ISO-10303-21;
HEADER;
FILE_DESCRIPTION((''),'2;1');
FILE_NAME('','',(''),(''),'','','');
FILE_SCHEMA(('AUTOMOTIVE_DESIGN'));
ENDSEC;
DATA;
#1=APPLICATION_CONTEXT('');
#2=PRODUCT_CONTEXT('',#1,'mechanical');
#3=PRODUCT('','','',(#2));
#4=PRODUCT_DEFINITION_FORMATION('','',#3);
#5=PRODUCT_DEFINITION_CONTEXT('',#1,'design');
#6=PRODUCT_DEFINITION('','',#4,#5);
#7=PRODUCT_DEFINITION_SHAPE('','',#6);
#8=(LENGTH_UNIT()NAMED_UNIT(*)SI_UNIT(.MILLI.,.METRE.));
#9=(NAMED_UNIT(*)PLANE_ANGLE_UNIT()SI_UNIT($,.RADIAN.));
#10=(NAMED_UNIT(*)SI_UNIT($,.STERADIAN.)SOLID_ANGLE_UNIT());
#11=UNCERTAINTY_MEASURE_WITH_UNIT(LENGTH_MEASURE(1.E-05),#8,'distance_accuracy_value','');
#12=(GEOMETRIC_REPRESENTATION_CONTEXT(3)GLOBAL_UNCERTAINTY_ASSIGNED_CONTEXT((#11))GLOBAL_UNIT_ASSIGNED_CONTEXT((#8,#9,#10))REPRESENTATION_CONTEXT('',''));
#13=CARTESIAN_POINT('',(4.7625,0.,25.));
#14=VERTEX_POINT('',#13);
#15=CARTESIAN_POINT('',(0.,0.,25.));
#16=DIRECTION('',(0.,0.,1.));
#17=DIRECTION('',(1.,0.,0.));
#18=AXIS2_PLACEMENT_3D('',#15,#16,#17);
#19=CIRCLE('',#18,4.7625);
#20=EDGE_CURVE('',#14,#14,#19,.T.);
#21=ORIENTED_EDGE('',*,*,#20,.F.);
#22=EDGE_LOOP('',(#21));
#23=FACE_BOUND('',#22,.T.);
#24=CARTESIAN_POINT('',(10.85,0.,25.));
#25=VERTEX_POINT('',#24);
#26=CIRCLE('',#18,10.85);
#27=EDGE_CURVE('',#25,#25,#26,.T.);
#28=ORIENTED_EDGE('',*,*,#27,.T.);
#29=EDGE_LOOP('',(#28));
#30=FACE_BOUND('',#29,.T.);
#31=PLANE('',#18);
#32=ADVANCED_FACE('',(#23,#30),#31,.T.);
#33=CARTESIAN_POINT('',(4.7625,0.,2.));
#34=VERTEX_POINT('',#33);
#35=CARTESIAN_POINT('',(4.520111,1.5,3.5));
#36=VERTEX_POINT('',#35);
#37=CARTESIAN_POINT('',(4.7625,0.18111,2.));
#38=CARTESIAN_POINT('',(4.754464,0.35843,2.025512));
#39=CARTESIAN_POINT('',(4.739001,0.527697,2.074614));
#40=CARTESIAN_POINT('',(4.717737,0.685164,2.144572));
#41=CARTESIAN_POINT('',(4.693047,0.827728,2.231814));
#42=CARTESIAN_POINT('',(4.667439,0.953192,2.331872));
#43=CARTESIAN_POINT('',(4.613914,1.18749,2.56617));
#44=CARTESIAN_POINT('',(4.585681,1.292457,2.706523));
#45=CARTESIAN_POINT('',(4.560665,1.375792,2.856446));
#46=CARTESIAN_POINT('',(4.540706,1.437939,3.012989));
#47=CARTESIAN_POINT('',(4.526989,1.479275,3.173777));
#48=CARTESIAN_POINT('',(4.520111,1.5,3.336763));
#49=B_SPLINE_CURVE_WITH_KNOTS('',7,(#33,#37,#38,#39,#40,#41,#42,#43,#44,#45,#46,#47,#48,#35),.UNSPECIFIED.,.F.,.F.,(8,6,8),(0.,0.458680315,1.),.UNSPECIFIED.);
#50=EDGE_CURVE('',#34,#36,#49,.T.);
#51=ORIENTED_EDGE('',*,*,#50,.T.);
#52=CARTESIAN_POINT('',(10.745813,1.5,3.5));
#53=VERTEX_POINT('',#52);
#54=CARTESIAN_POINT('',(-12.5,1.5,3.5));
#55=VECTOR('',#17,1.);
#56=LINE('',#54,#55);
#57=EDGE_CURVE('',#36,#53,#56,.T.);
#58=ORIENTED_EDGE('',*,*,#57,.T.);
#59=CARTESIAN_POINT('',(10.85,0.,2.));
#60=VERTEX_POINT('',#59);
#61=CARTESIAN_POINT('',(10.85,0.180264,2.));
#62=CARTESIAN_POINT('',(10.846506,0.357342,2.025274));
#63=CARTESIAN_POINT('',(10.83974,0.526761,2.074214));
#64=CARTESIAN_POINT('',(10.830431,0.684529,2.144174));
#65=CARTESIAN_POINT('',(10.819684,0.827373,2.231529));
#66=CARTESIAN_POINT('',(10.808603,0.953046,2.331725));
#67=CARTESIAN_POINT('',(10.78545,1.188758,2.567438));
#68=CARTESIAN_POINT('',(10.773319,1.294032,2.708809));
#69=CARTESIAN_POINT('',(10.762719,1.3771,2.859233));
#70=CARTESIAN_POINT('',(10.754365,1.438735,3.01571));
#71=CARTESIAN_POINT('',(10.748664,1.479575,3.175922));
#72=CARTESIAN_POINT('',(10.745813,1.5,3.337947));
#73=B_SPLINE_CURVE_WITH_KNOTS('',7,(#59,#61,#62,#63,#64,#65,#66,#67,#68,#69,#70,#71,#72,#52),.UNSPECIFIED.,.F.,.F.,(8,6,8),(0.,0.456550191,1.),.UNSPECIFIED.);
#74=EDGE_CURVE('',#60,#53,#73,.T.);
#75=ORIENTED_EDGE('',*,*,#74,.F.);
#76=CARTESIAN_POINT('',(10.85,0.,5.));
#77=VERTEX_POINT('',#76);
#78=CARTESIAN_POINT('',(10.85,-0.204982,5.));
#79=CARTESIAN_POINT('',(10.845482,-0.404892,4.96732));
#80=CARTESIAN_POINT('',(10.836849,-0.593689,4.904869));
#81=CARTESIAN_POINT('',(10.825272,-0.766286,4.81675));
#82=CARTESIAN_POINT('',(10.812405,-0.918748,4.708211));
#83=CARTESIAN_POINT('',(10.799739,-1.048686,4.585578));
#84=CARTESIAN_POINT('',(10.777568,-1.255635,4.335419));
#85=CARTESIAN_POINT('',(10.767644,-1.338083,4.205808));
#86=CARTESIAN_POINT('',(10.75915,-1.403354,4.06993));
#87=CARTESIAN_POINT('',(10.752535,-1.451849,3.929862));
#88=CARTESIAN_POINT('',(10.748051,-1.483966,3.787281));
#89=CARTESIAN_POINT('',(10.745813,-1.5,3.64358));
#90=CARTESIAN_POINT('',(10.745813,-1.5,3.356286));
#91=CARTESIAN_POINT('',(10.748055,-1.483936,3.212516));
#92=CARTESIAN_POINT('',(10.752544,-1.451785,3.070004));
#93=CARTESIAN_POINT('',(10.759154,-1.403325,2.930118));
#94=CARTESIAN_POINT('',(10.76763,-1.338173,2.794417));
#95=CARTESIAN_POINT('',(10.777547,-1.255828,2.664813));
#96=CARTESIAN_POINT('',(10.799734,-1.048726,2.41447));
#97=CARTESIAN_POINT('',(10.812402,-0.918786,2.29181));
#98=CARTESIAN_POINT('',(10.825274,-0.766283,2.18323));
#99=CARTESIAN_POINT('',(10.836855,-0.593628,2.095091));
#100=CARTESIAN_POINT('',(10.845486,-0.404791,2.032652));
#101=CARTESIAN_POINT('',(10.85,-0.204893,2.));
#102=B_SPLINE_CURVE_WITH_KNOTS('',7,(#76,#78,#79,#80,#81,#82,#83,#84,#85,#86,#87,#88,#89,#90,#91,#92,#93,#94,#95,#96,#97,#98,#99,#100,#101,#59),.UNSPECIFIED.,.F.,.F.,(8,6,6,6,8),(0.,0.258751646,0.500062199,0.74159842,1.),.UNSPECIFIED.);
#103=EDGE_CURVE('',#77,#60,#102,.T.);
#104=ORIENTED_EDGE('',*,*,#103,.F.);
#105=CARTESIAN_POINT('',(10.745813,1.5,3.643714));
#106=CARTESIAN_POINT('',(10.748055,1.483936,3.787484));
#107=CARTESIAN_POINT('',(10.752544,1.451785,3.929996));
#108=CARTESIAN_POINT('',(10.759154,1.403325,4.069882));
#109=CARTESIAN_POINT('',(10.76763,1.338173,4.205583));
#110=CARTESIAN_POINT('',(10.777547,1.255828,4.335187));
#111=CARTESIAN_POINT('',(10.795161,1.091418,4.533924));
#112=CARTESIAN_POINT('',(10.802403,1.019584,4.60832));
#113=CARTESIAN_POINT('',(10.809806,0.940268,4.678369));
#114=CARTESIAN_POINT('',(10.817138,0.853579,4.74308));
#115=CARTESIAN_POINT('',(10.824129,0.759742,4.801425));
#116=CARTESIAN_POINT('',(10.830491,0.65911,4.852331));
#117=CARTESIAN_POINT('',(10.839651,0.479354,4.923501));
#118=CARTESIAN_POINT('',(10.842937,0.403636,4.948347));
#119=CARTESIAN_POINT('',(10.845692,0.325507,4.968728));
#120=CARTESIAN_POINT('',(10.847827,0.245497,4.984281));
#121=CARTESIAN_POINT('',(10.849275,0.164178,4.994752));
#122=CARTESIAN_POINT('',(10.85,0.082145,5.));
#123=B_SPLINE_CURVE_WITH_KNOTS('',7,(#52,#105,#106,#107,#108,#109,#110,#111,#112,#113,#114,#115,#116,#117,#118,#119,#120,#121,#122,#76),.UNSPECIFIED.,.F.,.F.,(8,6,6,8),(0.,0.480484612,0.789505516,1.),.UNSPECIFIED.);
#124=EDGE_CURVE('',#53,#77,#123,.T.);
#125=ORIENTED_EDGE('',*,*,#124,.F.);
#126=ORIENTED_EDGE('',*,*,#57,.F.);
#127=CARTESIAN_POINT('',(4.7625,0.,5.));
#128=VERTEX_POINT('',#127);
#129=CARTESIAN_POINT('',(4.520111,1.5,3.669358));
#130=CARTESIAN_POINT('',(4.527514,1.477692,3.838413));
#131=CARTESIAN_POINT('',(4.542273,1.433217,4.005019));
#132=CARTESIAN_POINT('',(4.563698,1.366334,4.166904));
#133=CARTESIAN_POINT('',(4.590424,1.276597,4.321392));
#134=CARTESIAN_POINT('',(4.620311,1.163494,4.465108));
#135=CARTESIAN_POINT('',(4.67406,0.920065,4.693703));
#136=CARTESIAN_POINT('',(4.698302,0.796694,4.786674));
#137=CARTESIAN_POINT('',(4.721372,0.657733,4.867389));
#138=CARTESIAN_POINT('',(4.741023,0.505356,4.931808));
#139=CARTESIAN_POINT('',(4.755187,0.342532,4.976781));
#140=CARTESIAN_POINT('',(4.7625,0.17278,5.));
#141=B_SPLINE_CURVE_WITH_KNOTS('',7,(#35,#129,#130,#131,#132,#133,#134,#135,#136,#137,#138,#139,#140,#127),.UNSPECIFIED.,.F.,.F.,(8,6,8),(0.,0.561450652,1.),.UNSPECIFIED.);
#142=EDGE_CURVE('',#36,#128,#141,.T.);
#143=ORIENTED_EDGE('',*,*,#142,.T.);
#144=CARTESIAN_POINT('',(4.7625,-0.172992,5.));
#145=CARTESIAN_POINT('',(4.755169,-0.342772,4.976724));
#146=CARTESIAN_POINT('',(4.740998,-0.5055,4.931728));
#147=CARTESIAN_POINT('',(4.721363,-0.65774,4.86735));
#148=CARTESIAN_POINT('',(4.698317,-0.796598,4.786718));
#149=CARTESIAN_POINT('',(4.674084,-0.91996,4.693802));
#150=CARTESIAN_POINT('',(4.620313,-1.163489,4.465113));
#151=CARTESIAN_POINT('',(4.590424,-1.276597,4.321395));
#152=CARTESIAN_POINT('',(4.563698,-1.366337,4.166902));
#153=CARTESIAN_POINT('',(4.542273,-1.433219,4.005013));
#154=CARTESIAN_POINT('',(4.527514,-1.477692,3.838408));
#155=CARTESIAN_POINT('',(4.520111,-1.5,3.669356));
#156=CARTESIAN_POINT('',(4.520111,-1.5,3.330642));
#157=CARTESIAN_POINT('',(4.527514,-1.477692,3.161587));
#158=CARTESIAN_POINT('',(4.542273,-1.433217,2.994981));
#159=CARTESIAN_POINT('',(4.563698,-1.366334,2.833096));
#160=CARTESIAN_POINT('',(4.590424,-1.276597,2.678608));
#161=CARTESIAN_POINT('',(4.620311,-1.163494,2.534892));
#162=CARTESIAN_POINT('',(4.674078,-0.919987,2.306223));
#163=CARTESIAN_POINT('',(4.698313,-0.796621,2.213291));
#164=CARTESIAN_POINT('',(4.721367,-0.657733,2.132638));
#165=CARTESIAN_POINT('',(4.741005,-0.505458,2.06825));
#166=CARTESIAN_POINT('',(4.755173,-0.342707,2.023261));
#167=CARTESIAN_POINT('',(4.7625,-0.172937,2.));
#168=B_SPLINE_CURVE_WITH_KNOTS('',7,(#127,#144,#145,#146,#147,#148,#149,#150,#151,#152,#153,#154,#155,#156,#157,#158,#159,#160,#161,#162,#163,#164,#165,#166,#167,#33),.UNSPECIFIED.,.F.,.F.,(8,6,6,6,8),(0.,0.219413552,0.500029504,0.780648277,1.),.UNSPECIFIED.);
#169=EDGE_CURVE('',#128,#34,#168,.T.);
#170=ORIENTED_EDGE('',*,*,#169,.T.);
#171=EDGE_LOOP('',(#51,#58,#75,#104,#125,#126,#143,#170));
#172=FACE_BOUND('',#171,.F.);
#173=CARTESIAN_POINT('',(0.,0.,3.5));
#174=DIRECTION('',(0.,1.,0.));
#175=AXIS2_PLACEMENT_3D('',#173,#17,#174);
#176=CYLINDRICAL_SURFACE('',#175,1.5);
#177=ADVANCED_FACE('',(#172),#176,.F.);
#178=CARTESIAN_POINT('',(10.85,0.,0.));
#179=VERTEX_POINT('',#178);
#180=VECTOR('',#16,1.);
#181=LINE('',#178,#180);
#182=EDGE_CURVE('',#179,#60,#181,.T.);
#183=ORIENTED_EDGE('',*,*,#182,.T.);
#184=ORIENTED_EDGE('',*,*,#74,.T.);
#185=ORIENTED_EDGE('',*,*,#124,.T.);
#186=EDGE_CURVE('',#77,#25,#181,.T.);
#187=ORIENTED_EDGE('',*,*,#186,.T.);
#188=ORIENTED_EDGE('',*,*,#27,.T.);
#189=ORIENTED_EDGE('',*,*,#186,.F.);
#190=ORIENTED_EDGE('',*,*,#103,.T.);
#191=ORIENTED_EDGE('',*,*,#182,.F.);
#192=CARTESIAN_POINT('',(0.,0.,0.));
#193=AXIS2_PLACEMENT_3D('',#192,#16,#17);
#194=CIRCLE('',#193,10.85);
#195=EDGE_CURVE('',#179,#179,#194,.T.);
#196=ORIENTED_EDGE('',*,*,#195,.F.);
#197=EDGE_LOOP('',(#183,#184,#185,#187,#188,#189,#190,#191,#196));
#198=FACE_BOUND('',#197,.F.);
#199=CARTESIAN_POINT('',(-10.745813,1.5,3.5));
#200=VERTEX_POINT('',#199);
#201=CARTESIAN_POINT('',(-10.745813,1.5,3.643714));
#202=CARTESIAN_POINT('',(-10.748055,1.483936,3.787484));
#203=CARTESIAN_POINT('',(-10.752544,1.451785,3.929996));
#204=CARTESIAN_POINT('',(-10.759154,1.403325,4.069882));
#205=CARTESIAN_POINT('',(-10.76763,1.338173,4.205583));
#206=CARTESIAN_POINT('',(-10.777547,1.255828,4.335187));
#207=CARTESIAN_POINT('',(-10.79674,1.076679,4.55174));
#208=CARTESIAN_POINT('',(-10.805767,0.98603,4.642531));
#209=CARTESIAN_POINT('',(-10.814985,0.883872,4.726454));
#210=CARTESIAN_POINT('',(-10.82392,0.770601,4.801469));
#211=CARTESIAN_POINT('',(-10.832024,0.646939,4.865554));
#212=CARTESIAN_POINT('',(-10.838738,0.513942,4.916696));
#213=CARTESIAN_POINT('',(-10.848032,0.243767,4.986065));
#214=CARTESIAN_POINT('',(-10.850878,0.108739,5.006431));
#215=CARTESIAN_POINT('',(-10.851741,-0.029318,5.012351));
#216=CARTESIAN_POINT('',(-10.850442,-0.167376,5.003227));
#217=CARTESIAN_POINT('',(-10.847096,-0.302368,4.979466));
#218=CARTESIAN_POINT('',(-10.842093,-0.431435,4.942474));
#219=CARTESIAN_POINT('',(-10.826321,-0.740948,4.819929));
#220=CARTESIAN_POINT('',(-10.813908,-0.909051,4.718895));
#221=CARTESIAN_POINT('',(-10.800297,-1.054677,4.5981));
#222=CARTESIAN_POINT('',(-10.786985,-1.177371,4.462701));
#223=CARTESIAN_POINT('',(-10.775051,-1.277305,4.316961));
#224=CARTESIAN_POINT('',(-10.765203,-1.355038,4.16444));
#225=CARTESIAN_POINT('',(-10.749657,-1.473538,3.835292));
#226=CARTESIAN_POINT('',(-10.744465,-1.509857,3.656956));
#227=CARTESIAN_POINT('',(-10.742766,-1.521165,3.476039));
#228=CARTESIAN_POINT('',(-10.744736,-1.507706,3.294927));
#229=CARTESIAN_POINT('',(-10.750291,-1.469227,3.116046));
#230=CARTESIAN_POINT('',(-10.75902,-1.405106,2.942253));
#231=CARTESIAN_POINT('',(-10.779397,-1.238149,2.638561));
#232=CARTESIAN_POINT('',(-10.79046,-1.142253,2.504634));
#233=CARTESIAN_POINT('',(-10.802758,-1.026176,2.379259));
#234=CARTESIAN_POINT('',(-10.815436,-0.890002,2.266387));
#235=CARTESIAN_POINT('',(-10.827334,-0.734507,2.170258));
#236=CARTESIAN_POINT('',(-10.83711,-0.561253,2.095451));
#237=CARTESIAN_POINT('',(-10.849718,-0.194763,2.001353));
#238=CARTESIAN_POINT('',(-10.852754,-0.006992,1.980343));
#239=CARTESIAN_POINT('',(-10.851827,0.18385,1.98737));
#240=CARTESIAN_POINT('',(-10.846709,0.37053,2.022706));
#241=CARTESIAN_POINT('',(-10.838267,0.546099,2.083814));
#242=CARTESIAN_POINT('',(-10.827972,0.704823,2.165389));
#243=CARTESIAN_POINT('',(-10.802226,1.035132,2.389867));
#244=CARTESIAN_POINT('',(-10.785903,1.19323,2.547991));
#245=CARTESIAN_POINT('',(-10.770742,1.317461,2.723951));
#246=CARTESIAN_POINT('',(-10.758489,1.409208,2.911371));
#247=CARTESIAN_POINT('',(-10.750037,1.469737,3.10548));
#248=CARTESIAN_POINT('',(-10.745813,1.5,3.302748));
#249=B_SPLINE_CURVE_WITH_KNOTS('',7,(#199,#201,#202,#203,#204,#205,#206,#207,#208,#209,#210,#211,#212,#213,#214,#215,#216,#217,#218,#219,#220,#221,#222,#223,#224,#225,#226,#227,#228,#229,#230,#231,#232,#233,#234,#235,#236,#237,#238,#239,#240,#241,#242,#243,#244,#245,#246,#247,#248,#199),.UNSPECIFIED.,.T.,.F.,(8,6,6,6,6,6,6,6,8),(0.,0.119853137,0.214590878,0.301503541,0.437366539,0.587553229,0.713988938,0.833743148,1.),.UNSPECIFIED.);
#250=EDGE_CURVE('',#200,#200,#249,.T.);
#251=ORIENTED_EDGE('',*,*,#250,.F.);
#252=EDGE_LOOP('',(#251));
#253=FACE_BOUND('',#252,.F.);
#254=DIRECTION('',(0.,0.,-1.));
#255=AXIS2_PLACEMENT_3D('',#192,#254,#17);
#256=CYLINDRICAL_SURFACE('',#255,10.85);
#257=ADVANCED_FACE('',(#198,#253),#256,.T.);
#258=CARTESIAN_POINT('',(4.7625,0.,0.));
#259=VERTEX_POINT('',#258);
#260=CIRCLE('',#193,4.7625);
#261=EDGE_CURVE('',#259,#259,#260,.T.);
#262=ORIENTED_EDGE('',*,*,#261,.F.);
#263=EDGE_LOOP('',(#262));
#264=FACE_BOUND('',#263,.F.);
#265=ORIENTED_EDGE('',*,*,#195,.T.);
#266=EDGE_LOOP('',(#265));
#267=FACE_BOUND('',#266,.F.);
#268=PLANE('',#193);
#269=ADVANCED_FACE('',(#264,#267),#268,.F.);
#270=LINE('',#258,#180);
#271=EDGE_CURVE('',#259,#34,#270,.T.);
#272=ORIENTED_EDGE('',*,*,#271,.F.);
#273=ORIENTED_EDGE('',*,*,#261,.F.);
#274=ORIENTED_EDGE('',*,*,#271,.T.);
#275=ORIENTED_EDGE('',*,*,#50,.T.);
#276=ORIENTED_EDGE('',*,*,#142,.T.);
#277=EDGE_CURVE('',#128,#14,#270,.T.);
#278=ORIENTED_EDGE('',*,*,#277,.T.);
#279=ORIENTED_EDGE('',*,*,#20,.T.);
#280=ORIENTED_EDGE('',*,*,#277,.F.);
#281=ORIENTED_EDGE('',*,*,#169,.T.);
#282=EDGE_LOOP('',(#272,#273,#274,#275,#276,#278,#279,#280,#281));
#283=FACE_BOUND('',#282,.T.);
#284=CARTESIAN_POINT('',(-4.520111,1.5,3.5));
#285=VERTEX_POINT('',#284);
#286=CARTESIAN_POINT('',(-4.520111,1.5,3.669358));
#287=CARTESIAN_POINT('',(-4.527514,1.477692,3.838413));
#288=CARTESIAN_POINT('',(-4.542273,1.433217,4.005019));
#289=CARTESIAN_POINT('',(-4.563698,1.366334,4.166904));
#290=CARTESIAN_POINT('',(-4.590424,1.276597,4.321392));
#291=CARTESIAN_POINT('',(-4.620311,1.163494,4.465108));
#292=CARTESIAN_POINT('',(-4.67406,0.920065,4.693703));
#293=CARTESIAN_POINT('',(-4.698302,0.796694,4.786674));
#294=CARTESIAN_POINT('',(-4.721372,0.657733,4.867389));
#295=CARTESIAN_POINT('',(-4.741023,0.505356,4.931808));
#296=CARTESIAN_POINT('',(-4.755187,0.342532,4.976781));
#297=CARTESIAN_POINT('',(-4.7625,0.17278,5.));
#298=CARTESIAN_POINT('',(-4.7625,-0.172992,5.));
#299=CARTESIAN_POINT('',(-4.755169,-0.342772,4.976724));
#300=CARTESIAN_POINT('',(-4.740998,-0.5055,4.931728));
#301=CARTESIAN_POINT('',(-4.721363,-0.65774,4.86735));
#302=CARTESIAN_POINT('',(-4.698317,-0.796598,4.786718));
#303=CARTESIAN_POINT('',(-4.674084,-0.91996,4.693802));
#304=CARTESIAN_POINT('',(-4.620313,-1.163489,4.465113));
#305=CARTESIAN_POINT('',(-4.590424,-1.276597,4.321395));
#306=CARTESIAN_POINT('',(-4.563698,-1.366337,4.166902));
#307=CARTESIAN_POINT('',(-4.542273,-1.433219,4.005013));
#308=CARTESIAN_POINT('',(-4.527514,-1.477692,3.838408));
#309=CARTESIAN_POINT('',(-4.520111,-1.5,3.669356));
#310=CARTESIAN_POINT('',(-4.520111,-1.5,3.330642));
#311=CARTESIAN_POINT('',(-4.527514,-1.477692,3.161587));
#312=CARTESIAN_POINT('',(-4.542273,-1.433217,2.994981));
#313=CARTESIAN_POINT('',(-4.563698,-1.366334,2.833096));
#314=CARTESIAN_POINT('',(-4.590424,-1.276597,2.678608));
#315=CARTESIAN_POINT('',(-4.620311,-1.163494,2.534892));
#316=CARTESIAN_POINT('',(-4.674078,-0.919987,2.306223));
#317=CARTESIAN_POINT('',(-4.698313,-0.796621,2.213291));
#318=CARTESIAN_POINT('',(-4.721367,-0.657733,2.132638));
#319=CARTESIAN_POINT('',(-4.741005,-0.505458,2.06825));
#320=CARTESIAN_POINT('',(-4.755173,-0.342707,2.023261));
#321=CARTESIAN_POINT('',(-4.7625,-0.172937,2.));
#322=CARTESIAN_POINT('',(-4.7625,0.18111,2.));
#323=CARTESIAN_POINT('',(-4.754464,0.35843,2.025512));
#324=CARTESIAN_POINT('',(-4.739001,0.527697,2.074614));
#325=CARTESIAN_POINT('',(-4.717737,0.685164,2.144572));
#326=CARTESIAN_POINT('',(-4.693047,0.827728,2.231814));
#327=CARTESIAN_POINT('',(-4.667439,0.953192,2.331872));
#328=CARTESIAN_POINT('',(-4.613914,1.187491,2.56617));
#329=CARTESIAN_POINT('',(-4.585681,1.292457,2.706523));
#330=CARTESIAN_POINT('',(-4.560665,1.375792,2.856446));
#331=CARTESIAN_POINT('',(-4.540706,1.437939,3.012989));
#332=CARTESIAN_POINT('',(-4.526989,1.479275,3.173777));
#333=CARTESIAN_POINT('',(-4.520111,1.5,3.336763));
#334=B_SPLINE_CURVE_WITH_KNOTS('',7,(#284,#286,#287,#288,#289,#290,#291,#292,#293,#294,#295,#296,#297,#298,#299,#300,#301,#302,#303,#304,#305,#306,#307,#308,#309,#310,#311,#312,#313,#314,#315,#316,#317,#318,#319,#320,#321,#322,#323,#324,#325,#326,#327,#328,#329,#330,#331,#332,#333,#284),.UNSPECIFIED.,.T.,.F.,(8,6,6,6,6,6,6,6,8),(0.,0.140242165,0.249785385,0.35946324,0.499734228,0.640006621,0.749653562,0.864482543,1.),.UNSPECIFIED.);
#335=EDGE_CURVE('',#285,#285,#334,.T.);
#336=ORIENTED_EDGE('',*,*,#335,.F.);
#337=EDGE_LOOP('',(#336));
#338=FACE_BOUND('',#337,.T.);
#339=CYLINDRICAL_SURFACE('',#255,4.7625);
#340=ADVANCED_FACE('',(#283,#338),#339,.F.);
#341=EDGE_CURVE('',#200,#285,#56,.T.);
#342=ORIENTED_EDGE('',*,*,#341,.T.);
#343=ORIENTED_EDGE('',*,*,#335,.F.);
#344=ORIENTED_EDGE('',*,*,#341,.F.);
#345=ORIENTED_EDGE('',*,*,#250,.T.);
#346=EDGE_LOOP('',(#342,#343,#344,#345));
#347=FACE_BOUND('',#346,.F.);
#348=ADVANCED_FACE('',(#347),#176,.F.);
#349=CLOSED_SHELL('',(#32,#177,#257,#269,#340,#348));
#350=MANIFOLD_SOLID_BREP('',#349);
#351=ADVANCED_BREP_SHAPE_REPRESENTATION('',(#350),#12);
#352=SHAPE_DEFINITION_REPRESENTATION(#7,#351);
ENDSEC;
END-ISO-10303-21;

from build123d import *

# Parameters (mm, degrees)
F0_R     = 10.85
F0_R_2   = 4.7625
F1_DEPTH = 25
F2_R     = 1.5
F3_DEPTH = 12.5


with BuildPart() as f1:
    # F0 (on Top) → F1 (new body)
    with BuildSketch(Plane.XY):
        Circle(F0_R)
        Circle(F0_R_2, mode=Mode.SUBTRACT)
    extrude(amount=F1_DEPTH)

    # F2 (on Right) → F3 (cut, symmetric)
    with BuildSketch(Plane.YZ):
        with Locations((0, 3.5)):
            Circle(F2_R)
    extrude(amount=F3_DEPTH, both=True, mode=Mode.SUBTRACT)


solid = f1.part
